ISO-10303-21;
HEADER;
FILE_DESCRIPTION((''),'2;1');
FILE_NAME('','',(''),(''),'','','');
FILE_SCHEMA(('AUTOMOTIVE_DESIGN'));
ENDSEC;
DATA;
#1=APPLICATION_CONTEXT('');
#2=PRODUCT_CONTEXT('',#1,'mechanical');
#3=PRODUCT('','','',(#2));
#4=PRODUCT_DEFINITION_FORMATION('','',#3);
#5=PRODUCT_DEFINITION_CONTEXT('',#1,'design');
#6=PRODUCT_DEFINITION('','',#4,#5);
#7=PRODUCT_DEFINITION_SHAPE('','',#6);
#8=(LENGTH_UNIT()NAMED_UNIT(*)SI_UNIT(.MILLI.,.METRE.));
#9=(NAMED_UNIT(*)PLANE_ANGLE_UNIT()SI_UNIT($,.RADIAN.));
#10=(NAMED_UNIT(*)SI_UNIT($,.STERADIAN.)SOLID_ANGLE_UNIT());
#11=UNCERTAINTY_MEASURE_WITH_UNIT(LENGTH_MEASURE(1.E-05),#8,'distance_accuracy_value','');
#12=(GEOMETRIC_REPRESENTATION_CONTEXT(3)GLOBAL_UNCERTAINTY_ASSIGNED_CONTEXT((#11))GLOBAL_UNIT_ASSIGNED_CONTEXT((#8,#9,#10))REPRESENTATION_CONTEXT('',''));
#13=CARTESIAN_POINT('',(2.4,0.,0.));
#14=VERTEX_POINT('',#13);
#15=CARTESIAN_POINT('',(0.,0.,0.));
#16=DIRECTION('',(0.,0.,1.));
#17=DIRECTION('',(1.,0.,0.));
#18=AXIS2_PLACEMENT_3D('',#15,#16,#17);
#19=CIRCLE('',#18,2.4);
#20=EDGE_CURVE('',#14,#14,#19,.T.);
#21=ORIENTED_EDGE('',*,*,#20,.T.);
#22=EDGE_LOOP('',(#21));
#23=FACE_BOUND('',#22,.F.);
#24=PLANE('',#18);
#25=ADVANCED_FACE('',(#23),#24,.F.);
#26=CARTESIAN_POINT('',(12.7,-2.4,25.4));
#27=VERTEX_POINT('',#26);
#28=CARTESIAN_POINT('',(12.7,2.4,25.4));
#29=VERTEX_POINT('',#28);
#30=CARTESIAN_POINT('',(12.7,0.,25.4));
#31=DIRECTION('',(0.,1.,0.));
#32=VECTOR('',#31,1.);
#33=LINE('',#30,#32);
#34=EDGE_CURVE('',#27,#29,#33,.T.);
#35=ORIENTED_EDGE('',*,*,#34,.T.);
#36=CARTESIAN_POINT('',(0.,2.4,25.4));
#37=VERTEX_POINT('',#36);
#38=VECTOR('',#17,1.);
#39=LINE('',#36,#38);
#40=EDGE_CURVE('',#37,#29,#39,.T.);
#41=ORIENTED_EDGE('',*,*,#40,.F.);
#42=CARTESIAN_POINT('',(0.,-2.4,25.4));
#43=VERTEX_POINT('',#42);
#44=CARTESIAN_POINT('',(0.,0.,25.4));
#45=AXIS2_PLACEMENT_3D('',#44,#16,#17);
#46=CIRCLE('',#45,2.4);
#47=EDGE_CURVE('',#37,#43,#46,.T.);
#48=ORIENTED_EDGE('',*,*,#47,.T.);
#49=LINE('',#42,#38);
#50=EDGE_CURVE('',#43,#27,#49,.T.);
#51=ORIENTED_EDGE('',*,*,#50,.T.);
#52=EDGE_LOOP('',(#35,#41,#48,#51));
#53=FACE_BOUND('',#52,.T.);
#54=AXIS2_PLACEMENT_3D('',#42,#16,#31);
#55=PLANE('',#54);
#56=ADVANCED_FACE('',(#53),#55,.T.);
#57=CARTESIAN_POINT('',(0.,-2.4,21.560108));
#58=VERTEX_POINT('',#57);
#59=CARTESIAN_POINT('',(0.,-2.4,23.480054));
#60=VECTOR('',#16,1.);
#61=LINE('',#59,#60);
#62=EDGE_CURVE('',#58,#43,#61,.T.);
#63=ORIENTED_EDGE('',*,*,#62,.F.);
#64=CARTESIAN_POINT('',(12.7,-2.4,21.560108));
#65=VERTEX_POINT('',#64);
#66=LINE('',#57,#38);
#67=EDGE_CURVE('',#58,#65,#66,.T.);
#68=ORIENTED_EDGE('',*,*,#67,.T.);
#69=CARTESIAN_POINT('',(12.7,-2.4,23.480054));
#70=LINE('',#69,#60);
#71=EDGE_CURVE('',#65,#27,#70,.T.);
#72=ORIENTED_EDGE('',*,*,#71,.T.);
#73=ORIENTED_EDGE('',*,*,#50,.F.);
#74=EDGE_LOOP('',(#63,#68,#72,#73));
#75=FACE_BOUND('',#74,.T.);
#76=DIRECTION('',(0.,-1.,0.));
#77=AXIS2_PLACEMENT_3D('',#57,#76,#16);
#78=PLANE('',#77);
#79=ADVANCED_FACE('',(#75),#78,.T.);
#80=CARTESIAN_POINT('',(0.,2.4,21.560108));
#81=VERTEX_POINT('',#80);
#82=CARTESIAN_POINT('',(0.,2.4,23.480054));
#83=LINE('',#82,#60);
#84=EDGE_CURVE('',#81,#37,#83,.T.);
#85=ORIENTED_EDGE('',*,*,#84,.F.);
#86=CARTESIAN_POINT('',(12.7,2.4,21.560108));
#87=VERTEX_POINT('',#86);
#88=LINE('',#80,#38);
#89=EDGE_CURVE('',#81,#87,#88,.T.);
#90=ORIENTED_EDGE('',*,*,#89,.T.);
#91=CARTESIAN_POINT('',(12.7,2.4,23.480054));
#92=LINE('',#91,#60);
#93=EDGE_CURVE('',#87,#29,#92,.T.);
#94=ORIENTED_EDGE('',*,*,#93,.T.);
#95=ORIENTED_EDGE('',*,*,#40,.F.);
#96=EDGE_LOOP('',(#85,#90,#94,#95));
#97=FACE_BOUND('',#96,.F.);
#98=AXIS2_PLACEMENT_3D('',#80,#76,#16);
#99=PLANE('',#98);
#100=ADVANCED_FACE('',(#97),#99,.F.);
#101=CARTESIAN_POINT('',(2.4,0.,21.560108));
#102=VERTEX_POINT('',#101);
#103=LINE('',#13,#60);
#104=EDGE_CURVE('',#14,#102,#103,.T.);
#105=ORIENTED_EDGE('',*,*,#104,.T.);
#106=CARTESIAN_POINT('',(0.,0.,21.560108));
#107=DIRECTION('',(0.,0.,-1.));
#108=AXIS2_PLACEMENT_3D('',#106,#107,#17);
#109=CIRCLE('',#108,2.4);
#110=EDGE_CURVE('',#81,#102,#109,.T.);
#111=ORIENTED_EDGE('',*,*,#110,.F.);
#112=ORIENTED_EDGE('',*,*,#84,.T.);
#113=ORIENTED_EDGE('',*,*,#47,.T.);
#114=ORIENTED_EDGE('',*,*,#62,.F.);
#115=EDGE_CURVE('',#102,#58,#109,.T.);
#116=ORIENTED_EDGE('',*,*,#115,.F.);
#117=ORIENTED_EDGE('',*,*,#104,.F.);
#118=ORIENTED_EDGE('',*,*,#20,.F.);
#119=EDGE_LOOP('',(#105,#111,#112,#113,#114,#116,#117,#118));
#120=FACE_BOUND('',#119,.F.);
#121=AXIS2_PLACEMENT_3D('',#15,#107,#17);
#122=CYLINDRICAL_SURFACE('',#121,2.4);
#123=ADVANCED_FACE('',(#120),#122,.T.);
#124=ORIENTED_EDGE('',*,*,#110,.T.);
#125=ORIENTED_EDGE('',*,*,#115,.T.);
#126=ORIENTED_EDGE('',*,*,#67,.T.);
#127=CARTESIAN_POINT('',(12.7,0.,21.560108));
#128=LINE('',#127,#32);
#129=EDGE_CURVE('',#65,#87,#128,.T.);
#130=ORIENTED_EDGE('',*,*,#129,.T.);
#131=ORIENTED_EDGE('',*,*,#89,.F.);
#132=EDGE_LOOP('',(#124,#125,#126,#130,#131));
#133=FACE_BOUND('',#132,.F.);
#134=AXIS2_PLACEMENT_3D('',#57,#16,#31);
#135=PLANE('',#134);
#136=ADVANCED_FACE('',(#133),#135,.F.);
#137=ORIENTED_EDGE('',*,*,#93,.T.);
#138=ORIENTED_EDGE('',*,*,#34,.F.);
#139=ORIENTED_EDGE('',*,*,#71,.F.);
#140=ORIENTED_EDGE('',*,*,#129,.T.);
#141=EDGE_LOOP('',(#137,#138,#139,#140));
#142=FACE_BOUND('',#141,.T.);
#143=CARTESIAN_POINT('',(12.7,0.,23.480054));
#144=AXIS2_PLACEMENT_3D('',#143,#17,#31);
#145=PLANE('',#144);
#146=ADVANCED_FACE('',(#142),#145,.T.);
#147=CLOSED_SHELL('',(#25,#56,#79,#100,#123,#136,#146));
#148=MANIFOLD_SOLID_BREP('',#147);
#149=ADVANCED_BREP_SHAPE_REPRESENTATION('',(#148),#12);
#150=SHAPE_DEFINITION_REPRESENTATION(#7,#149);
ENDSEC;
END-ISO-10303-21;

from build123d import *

# Parameters (mm, degrees)
F0_R     = 2.4
F1_DEPTH = 25.4
F2_W     = 4.8
F2_H     = 3.839892
F3_DEPTH = 12.7


with BuildPart() as f1:
    # F0 (on Top) → F1 (new body)
    with BuildSketch(Plane.XY):
        Circle(F0_R)
    extrude(amount=F1_DEPTH)

    # F2 (on Right) → F3 (join)
    with BuildSketch(Plane.YZ):
        with Locations((0, 23.480054)):
            Rectangle(F2_W, F2_H)
    extrude(amount=F3_DEPTH)


solid = f1.part
